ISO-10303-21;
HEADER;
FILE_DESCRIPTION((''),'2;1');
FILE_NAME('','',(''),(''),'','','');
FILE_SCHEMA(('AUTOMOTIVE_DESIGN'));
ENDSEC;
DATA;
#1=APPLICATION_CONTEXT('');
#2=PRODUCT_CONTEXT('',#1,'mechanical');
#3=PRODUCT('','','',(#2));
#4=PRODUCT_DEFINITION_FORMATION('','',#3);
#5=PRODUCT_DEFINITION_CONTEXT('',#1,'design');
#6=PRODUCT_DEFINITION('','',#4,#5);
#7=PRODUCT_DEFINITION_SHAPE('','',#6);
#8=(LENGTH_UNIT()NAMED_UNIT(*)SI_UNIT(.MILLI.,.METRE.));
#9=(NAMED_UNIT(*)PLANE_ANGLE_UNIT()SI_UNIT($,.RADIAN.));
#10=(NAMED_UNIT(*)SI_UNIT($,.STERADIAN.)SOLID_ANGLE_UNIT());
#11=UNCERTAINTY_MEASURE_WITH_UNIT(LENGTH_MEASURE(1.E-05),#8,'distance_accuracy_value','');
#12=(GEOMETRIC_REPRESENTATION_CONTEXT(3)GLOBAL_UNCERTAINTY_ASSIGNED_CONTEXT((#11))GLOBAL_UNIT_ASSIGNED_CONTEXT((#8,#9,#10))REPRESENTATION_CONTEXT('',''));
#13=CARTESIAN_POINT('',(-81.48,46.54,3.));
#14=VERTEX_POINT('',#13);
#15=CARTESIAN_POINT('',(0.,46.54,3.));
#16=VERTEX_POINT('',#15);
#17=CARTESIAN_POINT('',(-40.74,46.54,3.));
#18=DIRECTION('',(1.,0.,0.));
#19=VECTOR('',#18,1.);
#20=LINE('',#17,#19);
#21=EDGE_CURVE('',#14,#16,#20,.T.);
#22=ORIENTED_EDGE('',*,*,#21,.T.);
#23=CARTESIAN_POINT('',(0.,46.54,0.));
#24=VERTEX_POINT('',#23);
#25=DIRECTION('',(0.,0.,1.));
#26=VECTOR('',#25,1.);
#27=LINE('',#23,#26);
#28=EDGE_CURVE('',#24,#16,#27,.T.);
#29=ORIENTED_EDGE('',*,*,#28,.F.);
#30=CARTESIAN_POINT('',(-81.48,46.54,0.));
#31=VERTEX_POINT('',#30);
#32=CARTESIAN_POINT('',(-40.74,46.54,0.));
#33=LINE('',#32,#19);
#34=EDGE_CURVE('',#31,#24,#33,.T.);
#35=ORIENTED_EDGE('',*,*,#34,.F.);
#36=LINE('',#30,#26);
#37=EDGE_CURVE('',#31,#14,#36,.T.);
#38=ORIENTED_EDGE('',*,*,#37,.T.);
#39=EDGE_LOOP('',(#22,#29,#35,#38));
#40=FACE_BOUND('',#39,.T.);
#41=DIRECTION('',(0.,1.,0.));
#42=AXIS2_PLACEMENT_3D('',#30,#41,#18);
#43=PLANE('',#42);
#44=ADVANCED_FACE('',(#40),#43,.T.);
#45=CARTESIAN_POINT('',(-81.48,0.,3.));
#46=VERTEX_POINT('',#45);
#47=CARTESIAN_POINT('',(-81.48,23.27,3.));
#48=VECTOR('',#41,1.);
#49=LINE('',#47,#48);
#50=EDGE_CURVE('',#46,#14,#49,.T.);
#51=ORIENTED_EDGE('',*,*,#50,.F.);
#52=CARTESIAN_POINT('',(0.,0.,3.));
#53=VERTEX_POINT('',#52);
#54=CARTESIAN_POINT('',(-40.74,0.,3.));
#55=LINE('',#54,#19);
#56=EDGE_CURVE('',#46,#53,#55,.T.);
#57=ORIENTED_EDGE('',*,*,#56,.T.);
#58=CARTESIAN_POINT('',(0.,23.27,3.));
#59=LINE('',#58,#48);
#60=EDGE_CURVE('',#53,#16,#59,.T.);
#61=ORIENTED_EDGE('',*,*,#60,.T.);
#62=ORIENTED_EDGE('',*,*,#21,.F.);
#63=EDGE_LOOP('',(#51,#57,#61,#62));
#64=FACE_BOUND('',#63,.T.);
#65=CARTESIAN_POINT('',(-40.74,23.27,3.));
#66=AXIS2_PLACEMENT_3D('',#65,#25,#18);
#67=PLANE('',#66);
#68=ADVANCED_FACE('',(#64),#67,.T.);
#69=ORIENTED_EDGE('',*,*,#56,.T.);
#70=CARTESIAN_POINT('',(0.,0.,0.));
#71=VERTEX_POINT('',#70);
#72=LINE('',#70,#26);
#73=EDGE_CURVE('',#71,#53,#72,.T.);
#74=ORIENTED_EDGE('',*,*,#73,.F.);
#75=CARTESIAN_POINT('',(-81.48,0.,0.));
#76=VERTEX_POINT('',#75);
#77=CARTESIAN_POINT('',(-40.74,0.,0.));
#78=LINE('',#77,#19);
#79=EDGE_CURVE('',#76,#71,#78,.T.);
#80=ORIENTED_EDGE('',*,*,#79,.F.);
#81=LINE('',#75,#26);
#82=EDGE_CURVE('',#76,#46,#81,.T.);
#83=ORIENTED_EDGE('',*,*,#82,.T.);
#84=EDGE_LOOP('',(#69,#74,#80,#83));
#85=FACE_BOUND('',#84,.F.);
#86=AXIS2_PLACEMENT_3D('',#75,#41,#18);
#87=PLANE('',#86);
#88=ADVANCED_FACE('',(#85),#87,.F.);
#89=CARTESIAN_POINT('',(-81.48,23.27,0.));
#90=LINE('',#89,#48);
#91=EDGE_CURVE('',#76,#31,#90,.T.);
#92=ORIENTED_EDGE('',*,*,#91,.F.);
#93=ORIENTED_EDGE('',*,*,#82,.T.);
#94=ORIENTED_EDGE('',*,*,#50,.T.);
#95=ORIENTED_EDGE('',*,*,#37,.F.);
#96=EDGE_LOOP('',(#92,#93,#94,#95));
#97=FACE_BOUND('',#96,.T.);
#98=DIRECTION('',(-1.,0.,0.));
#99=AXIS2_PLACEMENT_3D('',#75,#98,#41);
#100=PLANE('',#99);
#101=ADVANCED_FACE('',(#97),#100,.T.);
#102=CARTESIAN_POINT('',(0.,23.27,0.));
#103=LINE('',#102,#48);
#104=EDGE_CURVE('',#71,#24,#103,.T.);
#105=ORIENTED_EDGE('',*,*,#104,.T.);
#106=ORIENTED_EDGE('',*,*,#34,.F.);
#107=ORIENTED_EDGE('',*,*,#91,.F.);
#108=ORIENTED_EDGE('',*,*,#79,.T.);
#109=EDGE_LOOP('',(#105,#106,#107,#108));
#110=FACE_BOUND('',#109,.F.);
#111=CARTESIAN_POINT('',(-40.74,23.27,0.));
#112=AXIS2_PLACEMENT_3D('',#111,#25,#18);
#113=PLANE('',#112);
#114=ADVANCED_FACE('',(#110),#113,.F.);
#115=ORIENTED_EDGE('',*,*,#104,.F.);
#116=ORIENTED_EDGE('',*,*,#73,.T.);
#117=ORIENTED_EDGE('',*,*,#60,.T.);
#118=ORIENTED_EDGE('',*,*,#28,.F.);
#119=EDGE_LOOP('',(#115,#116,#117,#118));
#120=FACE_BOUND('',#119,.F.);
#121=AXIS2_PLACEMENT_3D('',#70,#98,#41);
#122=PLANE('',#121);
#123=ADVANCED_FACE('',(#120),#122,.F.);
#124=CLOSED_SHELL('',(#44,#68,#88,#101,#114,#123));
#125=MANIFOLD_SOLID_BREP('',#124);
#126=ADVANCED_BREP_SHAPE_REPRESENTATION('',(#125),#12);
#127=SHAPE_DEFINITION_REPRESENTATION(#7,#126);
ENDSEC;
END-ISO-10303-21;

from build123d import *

# Parameters (mm, degrees)
SKETCH_W  = 81.48
SKETCH_H  = 46.54
PAD_DEPTH = 3


with BuildPart() as part:
    # Sketch → Pad (new body)
    with BuildSketch(Plane.XY):
        with Locations((-40.74, 23.27)):
            Rectangle(SKETCH_W, SKETCH_H)
    extrude(amount=PAD_DEPTH)


solid = part.part
